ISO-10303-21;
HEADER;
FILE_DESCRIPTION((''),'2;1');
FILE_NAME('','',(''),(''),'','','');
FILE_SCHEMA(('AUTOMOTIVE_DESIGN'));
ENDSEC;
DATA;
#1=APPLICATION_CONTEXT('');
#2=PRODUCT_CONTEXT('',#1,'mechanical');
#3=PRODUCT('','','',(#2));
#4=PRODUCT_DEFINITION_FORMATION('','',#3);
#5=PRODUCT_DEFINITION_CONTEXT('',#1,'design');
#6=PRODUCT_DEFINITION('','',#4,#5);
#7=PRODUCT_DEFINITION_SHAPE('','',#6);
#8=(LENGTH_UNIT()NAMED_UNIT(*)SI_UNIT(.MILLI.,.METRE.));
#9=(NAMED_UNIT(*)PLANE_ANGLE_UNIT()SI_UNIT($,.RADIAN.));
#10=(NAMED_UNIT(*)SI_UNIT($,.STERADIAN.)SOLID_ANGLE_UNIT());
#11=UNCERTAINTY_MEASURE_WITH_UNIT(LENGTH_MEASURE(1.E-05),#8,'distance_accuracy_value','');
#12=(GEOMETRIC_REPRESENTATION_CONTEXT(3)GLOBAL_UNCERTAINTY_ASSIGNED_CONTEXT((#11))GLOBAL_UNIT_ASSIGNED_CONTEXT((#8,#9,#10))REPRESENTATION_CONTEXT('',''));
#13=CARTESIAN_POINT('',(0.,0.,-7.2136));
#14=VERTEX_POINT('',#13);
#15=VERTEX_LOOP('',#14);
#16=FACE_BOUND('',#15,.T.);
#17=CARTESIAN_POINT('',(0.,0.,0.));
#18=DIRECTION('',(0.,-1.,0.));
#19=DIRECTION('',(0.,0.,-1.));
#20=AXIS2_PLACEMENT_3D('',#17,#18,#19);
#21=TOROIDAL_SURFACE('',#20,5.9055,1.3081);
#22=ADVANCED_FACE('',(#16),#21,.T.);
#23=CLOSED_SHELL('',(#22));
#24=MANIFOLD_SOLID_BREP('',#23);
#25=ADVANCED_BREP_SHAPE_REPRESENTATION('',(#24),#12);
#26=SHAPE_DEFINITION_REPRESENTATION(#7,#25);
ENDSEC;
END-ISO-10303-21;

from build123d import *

# Parameters (mm, degrees)
SKETCH2_R = 1.3081


with BuildPart() as part:
    # Sweep1: sweep along a path in Sketch1
    with BuildLine(Plane(origin=(0, 0, 0), x_dir=(1, 0, 0), z_dir=(0, 1, 0))) as sweep1_path:
        CenterArc((0, 0), 4.5974, 0, 360)
    # Sketch2 → Sweep1 (sweep)
    with BuildSketch(Plane.XY):
        with Locations((-5.9055, 0)):
            Circle(SKETCH2_R)
    sweep(path=sweep1_path.line)


solid = part.part
